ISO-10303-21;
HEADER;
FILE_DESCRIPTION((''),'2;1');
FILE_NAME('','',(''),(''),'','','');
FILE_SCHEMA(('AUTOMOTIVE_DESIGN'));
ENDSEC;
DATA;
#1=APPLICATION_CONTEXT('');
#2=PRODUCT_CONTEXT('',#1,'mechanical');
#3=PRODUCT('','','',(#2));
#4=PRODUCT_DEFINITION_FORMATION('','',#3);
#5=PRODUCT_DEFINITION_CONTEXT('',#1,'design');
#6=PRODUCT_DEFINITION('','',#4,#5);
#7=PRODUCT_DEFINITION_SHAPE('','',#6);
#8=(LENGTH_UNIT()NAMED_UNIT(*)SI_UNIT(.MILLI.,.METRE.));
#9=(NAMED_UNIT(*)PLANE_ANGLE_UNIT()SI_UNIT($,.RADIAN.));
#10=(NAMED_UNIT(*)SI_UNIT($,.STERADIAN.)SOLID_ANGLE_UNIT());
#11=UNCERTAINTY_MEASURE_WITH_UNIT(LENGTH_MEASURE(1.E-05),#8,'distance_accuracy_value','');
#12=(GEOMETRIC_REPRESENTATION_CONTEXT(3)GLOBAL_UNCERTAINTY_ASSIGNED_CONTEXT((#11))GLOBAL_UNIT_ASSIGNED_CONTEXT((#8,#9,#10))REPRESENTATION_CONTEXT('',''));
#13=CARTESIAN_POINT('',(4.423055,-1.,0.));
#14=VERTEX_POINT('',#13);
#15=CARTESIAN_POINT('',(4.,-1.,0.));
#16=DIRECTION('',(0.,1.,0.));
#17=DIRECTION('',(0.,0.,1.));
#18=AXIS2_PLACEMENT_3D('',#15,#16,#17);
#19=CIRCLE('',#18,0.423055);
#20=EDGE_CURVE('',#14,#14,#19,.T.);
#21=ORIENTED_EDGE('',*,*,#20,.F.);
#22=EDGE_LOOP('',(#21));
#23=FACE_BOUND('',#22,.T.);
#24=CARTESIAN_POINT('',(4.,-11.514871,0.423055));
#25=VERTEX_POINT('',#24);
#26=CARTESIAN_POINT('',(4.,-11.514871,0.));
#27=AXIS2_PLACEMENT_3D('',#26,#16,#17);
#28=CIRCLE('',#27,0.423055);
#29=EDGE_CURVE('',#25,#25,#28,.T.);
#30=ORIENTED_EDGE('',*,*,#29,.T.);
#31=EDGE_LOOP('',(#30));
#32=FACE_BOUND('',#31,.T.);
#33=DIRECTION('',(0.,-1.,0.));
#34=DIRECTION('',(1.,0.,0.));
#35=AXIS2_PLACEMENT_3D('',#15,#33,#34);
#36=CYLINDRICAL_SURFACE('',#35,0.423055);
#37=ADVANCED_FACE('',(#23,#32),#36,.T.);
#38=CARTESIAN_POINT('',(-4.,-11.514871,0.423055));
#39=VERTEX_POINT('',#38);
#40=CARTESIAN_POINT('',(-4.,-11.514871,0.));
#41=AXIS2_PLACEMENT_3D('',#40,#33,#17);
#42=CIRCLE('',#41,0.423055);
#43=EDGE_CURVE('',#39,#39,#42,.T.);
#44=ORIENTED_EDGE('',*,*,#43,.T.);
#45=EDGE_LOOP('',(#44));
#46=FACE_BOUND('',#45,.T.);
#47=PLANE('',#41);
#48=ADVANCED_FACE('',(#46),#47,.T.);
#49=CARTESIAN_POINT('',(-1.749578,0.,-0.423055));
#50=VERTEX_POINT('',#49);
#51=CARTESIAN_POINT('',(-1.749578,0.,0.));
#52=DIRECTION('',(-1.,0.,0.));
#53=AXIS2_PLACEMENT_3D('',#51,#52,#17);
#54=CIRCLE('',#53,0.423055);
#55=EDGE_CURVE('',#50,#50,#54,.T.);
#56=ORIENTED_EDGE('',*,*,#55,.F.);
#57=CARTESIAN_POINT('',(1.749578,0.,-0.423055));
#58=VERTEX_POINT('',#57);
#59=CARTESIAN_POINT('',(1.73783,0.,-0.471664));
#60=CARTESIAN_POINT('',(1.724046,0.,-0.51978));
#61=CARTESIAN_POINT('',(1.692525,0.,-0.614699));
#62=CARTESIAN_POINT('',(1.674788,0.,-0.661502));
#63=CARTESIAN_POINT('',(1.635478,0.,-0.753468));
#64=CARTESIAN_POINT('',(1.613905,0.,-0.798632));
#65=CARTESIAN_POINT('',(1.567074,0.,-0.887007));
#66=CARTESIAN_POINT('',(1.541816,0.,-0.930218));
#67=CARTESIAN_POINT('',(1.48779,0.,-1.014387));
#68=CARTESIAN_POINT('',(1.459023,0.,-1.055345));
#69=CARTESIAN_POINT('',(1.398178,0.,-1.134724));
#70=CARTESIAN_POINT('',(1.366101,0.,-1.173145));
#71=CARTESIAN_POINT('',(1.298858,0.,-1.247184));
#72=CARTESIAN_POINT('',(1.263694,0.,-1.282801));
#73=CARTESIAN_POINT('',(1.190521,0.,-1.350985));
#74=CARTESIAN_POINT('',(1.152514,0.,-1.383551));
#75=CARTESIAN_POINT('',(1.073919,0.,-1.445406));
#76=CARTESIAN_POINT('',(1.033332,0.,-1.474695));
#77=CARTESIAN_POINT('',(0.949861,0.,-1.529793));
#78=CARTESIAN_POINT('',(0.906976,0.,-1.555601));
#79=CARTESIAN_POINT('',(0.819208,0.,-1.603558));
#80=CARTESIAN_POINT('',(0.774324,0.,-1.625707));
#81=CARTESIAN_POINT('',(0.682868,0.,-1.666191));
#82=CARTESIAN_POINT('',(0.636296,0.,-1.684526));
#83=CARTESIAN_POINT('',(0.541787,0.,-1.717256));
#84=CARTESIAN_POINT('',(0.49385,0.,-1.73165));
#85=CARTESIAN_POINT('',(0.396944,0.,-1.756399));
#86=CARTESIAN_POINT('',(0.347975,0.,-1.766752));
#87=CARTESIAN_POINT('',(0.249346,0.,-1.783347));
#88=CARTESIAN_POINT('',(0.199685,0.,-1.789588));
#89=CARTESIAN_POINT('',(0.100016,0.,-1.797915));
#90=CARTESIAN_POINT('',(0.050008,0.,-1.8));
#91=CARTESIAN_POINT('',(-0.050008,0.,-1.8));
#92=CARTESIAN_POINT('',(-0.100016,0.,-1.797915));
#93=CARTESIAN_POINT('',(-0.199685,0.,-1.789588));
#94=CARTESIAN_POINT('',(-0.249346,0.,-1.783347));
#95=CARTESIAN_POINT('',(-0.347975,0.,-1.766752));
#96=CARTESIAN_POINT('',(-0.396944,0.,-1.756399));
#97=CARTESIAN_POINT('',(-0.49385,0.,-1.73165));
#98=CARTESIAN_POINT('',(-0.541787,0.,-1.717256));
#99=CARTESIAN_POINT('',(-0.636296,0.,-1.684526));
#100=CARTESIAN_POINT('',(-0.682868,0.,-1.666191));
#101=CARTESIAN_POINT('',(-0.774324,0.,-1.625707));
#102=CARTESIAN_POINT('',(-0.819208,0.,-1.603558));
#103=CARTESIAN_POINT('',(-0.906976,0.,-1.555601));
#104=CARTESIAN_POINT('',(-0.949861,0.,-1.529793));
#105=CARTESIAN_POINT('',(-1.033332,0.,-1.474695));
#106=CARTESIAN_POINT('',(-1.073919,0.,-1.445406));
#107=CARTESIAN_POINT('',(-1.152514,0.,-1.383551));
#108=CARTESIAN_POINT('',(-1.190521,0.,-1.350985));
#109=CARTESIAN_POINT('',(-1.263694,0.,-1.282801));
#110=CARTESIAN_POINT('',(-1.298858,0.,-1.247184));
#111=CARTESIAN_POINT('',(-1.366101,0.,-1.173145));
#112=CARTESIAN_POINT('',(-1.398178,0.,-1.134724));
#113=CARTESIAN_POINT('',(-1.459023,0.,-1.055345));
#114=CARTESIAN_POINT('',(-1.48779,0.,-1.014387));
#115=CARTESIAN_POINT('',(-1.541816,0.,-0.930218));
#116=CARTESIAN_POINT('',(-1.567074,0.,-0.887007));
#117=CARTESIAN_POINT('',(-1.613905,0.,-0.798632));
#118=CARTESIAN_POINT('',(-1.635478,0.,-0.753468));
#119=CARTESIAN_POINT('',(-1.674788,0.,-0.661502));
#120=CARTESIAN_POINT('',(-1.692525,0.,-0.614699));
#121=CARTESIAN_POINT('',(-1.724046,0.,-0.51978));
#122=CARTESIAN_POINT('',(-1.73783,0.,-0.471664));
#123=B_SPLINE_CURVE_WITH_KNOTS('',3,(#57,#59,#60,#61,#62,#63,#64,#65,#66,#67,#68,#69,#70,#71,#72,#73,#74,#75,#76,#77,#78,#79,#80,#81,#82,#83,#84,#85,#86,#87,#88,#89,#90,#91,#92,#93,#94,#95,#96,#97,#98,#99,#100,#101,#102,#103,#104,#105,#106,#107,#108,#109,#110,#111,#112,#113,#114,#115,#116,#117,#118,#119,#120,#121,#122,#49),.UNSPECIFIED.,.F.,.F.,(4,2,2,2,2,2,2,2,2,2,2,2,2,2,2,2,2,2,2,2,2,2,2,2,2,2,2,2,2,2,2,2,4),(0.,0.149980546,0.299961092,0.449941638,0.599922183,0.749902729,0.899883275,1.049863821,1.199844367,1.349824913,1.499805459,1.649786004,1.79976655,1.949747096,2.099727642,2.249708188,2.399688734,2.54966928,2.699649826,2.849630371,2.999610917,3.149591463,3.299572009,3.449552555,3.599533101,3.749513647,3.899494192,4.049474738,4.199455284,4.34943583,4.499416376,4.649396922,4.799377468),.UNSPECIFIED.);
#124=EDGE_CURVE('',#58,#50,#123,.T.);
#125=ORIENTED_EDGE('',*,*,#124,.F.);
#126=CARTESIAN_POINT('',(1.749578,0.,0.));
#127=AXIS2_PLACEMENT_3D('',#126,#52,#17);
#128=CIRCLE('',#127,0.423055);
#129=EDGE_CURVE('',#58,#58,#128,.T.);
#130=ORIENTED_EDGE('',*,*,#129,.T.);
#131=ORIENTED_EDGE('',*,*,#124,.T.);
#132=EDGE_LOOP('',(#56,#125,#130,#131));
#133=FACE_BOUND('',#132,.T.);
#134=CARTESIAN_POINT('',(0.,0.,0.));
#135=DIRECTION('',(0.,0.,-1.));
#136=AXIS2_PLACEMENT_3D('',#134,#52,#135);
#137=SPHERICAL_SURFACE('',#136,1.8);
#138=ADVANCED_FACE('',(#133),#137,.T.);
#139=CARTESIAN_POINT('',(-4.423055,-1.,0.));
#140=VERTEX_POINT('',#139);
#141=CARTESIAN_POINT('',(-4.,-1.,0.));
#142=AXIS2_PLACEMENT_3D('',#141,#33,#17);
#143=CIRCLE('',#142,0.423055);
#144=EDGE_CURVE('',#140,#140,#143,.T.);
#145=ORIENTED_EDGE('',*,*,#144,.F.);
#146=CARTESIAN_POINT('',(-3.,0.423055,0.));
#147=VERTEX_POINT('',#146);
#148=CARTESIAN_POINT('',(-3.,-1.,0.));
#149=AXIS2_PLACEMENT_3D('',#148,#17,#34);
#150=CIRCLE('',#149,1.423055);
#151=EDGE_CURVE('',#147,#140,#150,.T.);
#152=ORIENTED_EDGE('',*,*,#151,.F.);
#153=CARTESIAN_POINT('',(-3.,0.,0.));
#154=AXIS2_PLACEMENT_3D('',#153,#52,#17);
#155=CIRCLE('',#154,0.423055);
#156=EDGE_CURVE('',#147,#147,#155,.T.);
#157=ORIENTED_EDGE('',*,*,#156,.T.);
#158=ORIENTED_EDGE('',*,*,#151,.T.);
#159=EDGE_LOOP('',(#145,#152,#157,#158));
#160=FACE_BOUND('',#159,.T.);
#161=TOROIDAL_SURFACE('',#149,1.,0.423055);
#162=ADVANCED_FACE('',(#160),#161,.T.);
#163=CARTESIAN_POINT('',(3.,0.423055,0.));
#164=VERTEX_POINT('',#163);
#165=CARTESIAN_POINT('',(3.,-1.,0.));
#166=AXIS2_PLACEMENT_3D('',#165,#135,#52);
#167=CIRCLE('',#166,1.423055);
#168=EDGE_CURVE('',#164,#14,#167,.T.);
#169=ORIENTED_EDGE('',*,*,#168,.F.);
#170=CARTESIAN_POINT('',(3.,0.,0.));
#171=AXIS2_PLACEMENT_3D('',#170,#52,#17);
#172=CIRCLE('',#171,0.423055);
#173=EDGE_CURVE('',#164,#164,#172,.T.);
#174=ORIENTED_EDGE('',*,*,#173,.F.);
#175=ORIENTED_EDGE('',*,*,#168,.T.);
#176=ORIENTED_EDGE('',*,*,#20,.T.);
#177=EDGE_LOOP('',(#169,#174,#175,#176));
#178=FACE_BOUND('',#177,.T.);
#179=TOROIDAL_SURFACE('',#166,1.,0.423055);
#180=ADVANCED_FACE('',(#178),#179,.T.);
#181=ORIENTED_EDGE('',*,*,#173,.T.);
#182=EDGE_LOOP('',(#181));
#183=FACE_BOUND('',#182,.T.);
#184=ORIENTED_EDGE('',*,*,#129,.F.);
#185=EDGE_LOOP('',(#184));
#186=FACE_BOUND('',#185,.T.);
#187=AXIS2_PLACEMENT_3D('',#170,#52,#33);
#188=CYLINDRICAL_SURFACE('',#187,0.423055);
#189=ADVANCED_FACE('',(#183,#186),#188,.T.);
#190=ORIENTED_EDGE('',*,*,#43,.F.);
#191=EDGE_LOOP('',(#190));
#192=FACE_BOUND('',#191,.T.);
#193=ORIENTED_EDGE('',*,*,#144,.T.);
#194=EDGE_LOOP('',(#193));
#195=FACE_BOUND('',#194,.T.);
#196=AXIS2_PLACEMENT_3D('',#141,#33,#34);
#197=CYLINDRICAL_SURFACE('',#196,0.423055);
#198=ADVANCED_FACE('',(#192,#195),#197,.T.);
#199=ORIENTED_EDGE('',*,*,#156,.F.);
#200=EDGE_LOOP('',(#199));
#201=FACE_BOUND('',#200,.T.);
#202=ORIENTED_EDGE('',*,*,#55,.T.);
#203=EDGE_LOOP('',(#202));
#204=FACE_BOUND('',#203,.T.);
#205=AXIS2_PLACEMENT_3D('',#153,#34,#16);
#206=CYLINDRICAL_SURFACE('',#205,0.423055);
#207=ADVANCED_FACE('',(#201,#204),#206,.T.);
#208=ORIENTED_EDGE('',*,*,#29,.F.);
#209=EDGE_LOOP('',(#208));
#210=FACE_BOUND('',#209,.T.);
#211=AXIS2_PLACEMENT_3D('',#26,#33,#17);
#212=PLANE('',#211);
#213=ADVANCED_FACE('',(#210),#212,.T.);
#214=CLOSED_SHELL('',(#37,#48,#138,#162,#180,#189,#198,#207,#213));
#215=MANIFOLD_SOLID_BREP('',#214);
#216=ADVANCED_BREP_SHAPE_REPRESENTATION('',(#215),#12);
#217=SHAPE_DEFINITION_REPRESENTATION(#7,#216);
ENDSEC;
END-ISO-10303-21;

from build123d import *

# Parameters (mm, degrees)
SKETCH_3_R = 0.423054932


with BuildPart() as part:
    # Эскиз1 → Повернуть2 (revolve)
    with BuildSketch(Plane(origin=(0, 0, 0), x_dir=(1, 0, 0), z_dir=(0, 1, 0))):
        with BuildLine():
            ThreePointArc((-1.749578385, 0.423054932), (0, 1.8), (1.749578385, 0.423054932))
            Line((1.749578385, 0.423054932), (1.749578385, 0))
            Line((1.749578385, 0), (-1.749578385, 0))
            Line((-1.749578385, 0), (-1.749578385, 0.423054932))
        make_face()
    revolve(axis=Axis((-29.751182373, 0, 0), (1, 0, 0)))

    # По траектории1: sweep along a path in Эскиз2
    with BuildLine(Plane.XY) as sweep_1_path:
        Line((0, 0), (-3, 0))
        ThreePointArc((-3, 0), (-3.707106781, -0.292893219), (-4, -1))
        Line((-4, -1), (-4, -11.514871198))
    # Эскиз3 → По траектории1 (sweep)
    with BuildSketch(Plane.ZY.offset(1.749578385)):
        Circle(SKETCH_3_R)
    sweep_1 = sweep(path=sweep_1_path.line)

    # Зеркальное отражение1: По траектории1 across plane
    add(sweep_1.mirror(Plane(origin=(0, 0, 0), x_dir=(0, 0, 1), z_dir=(1, 0, 0))))


solid = part.part
